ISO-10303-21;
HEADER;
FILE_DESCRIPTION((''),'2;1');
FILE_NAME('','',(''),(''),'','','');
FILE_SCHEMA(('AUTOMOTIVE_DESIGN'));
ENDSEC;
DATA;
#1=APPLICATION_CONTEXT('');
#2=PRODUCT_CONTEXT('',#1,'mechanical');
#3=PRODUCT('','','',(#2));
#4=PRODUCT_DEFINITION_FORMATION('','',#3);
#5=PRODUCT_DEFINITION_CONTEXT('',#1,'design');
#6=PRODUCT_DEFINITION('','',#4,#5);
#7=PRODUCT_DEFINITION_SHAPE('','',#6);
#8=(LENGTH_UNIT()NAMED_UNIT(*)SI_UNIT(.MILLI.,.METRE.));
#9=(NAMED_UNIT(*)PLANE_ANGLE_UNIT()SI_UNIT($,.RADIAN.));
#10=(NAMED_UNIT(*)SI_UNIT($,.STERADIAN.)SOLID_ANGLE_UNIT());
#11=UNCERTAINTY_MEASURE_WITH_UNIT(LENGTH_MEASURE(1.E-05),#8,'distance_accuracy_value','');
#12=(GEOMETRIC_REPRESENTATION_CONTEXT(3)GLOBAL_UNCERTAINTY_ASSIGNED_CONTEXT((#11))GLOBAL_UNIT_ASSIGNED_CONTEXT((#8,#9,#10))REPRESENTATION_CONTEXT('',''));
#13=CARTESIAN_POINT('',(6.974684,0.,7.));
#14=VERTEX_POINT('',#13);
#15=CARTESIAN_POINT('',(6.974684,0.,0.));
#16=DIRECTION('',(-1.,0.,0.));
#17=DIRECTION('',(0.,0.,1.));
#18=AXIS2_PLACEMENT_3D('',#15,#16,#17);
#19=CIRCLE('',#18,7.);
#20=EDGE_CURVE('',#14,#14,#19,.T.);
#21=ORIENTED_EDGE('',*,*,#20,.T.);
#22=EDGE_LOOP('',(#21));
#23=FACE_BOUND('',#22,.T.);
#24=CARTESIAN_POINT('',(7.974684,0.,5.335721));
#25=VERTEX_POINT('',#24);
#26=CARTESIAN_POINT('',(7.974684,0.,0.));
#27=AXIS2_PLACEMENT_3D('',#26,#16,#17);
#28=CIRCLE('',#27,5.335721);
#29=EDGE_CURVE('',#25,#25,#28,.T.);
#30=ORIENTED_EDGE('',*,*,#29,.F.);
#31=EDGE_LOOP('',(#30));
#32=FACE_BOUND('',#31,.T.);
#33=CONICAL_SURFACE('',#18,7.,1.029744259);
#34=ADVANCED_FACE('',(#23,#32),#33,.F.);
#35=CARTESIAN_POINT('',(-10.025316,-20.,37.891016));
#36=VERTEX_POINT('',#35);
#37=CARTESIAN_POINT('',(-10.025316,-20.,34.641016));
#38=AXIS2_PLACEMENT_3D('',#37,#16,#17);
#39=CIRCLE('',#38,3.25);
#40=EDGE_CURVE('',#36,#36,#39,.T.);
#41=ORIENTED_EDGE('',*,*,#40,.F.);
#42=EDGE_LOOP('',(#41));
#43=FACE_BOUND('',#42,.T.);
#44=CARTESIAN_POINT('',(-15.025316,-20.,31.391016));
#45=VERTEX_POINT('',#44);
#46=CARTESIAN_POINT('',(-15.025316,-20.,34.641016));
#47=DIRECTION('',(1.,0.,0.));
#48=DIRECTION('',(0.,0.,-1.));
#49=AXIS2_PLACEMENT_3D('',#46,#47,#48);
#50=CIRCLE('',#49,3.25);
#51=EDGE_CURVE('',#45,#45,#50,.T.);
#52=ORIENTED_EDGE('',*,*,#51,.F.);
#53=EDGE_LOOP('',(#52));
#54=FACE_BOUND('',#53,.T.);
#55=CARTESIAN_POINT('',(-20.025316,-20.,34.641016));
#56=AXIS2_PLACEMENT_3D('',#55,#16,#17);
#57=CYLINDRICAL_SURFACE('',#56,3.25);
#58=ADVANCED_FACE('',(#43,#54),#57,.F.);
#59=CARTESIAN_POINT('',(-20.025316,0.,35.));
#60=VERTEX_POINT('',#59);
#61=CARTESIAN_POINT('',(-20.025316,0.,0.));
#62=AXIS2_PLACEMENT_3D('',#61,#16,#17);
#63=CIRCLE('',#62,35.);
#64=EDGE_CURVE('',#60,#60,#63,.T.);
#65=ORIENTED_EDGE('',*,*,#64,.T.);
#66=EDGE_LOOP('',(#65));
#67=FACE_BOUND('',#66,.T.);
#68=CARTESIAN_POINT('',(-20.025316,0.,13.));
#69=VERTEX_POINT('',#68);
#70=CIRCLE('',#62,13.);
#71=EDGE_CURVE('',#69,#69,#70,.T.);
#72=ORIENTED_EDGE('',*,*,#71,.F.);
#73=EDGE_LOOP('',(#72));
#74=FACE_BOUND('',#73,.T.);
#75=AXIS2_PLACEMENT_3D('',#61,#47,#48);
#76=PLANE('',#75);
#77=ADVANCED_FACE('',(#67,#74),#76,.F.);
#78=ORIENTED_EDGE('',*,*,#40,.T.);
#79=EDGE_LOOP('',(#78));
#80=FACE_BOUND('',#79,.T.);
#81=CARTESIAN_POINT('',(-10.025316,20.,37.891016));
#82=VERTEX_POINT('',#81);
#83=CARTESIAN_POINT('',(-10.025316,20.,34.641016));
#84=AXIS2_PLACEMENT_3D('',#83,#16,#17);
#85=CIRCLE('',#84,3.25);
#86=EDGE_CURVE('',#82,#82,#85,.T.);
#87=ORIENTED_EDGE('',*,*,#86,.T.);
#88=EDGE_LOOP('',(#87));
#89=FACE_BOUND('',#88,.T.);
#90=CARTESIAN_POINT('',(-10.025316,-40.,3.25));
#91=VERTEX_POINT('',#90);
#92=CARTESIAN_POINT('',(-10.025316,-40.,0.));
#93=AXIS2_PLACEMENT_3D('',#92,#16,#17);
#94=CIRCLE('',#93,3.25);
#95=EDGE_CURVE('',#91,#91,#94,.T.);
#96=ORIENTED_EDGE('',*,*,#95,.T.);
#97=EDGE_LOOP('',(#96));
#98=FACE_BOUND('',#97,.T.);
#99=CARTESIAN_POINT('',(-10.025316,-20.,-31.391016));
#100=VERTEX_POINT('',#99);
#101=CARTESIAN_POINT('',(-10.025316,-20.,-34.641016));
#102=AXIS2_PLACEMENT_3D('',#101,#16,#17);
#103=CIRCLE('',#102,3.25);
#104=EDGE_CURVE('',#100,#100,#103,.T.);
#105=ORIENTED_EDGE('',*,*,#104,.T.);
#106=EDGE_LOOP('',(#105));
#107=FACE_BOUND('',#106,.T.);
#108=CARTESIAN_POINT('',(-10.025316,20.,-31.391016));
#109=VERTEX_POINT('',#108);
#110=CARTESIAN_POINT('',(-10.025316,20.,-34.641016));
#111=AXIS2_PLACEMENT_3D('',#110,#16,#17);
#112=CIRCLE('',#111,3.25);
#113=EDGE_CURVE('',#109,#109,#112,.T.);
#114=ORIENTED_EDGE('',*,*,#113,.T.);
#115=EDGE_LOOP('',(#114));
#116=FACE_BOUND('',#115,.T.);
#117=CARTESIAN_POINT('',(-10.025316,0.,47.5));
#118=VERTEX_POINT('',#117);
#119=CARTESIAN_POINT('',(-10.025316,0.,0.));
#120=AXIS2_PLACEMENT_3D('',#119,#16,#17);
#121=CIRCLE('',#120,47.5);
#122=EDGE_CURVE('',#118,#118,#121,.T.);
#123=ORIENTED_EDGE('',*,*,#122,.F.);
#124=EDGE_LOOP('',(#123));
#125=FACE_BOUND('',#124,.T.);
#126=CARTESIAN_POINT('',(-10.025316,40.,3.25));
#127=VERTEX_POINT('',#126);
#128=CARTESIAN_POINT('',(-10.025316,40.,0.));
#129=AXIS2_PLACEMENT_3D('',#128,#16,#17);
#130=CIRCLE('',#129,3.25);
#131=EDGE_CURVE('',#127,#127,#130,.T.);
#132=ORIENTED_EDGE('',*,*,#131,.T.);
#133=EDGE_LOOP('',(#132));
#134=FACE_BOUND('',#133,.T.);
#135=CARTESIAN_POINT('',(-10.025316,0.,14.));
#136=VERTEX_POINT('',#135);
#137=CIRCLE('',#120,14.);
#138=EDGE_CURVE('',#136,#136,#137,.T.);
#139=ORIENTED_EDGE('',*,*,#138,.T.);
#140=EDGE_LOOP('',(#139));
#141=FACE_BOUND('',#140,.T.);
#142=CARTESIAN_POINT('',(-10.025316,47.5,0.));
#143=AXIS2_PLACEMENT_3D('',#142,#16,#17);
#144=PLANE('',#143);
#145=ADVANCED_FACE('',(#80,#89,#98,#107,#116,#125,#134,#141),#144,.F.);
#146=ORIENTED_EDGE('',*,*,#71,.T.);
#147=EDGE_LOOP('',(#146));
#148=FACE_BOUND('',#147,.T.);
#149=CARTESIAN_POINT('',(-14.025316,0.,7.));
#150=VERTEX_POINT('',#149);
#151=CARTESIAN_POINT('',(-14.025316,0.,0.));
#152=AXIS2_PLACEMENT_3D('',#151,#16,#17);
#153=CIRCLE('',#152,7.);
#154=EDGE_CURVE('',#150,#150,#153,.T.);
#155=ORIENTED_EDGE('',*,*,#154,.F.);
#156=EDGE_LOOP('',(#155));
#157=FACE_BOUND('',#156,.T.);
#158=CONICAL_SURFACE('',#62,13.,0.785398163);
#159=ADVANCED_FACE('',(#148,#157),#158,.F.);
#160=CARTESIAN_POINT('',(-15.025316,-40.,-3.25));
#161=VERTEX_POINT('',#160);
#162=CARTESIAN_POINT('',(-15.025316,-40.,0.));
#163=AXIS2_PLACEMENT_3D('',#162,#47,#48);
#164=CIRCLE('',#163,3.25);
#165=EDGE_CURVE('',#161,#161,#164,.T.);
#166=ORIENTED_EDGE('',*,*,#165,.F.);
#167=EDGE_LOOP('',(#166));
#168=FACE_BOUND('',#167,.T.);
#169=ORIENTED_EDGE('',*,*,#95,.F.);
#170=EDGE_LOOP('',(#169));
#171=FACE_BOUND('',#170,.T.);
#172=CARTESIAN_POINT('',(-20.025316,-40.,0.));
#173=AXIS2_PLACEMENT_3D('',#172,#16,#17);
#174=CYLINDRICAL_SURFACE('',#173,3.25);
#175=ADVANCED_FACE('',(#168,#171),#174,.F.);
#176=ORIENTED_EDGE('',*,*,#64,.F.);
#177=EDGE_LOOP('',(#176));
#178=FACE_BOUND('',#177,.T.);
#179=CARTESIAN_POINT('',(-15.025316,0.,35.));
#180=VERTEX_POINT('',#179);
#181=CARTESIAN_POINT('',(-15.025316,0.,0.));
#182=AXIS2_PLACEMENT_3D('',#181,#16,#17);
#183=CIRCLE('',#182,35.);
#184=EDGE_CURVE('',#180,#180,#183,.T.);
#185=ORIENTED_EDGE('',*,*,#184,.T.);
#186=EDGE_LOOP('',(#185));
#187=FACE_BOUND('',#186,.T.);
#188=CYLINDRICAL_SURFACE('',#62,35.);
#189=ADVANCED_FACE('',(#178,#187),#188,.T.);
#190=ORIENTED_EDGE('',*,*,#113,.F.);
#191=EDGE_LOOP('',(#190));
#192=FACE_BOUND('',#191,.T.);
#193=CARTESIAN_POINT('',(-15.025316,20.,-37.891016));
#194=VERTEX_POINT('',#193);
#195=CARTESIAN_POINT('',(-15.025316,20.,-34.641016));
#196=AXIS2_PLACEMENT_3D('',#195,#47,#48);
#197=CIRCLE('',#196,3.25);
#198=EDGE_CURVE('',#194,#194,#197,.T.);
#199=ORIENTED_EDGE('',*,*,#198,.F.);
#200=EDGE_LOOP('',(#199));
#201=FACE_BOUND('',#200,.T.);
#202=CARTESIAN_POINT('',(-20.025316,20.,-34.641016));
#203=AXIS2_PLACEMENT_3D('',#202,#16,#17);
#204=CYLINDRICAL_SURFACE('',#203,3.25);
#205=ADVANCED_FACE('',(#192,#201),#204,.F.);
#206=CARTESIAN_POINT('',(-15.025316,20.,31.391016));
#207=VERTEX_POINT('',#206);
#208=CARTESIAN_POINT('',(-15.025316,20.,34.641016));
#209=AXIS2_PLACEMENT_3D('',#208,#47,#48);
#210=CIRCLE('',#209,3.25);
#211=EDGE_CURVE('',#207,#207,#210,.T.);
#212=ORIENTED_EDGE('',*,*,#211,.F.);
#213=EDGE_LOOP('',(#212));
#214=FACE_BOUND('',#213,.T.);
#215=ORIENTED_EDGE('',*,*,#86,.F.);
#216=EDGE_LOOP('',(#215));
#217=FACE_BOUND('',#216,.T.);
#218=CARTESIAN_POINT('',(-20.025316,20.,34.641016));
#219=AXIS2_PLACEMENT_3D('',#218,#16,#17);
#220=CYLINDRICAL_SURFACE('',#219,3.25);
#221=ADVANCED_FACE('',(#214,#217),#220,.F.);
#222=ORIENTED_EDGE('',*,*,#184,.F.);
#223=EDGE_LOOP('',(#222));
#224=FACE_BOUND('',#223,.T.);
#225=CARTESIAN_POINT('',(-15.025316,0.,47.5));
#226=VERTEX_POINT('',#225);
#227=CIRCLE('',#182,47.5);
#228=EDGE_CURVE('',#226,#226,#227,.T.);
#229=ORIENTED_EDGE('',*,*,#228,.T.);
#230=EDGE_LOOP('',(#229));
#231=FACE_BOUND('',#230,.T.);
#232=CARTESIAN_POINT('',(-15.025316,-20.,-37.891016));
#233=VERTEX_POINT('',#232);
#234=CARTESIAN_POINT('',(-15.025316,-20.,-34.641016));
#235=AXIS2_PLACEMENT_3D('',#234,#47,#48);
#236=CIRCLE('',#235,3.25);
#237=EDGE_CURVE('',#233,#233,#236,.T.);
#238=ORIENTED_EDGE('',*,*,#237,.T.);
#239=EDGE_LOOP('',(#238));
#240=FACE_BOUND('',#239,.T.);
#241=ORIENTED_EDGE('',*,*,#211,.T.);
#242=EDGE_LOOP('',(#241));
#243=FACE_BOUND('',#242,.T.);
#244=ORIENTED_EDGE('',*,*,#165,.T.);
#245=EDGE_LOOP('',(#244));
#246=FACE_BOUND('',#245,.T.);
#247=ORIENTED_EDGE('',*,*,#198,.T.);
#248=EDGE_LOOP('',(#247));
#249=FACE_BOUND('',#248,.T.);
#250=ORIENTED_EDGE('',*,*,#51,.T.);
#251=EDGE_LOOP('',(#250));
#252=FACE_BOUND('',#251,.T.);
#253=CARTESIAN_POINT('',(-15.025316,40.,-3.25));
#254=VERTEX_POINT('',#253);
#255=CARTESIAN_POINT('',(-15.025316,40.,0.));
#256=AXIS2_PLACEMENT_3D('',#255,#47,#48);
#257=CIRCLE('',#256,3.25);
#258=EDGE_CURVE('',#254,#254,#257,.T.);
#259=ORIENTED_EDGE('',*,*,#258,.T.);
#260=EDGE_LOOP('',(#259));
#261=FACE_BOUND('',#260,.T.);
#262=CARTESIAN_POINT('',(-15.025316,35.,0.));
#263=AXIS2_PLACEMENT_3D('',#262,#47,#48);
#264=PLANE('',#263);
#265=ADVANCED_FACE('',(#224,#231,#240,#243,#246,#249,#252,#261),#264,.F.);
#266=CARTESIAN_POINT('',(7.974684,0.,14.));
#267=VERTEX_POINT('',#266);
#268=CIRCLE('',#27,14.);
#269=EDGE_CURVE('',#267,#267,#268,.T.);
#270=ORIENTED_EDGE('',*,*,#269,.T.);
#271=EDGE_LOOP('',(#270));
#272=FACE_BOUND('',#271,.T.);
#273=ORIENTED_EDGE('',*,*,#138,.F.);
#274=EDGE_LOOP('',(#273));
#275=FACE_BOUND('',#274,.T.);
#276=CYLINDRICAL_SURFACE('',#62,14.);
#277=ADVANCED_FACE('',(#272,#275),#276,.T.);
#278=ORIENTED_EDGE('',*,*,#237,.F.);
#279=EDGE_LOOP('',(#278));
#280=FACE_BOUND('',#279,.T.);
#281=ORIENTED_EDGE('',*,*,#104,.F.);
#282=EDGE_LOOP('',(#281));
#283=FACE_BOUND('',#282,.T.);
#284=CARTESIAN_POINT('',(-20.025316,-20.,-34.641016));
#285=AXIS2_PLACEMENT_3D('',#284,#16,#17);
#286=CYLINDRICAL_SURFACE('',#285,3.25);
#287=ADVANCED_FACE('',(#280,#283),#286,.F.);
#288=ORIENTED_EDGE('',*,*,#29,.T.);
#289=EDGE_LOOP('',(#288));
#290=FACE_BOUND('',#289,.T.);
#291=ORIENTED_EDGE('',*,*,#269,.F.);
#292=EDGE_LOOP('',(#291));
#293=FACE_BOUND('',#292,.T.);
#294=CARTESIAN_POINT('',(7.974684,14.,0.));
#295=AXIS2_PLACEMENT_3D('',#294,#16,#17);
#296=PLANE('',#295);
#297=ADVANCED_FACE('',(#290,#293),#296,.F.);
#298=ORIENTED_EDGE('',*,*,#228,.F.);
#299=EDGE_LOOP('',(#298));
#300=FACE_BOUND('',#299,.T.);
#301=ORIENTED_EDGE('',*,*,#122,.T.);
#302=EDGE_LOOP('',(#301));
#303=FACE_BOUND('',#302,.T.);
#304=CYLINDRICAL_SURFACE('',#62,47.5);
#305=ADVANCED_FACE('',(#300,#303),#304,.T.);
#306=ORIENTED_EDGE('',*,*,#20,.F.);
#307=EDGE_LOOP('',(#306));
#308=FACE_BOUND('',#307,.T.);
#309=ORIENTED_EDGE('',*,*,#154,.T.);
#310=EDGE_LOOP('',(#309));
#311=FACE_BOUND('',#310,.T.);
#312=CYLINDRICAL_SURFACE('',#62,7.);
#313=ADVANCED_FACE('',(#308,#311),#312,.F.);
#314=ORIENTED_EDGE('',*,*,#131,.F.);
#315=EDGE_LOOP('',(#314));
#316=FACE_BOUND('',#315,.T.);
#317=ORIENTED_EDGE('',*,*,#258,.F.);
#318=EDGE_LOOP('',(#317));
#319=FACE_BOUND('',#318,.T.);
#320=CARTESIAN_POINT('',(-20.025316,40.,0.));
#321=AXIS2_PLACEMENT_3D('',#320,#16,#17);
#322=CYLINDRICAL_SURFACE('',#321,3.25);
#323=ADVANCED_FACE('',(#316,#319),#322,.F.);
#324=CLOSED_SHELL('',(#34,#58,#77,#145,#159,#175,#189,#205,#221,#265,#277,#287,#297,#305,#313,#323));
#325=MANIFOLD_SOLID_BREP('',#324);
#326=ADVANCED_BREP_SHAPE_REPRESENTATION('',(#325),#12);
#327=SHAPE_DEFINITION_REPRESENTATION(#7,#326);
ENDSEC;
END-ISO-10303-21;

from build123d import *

# Parameters (mm, degrees)
CSK_FOR_M12_HEX_SOCKET_COUNTERSUNK_CAP_S_D           = 14
CSK_FOR_M12_HEX_SOCKET_COUNTERSUNK_CAP_S_DEPTH       = 27
CSK_FOR_M12_HEX_SOCKET_COUNTERSUNK_CAP_S_CSINK_D     = 26
CSK_FOR_M12_HEX_SOCKET_COUNTERSUNK_CAP_S_CSINK_ANGLE = 90
CSK_FOR_M12_HEX_SOCKET_COUNTERSUNK_CAP_S_TIP         = 4.206024333
CSK_FOR_M6_HEX_SOCKET_COUNTERSUNK_CAP_SC_D           = 6.5
CSK_FOR_M6_HEX_SOCKET_COUNTERSUNK_CAP_SC_CSINK_D     = 7.5
CSK_FOR_M6_HEX_SOCKET_COUNTERSUNK_CAP_SC_CSINK_ANGLE = 90
CIRPATTERN1_COUNT                                    = 6


with BuildPart() as part:
    # Sketch1 → Revolve1 (revolve)
    with BuildSketch(Plane.XY):
        Polygon((-20.025316456, 0), (-20.025316456, 35), (-15.025316456, 35), (-15.025316456, 47.5), (-10.025316456, 47.5), (-10.025316456, 14), (7.974683544, 14), (7.974683544, 0), align=None)
    revolve(axis=Axis((-20.025316456, 0, 0), (1, 0, 0)))

    # CSK for M12 Hex Socket Countersunk Cap Screw1
    with Locations(Plane.ZY.offset(20.025316456)):
        with Locations((0, 0)):
            CounterSinkHole(CSK_FOR_M12_HEX_SOCKET_COUNTERSUNK_CAP_S_D / 2, CSK_FOR_M12_HEX_SOCKET_COUNTERSUNK_CAP_S_CSINK_D / 2, depth=CSK_FOR_M12_HEX_SOCKET_COUNTERSUNK_CAP_S_DEPTH, counter_sink_angle=CSK_FOR_M12_HEX_SOCKET_COUNTERSUNK_CAP_S_CSINK_ANGLE)
            with Locations((0, 0, -(CSK_FOR_M12_HEX_SOCKET_COUNTERSUNK_CAP_S_DEPTH + CSK_FOR_M12_HEX_SOCKET_COUNTERSUNK_CAP_S_TIP / 2))):  # 118° drill point
                Cone(0, CSK_FOR_M12_HEX_SOCKET_COUNTERSUNK_CAP_S_D / 2, CSK_FOR_M12_HEX_SOCKET_COUNTERSUNK_CAP_S_TIP, mode=Mode.SUBTRACT)

    # CSK for M6 Hex Socket Countersunk Cap Screw1 (through all)
    with Locations(Plane.ZY.offset(20.025316456)):
        with Locations((0, 40)):
            csk_for_m6_hex_socket_countersunk_cap_sc = CounterSinkHole(CSK_FOR_M6_HEX_SOCKET_COUNTERSUNK_CAP_SC_D / 2, CSK_FOR_M6_HEX_SOCKET_COUNTERSUNK_CAP_SC_CSINK_D / 2, counter_sink_angle=CSK_FOR_M6_HEX_SOCKET_COUNTERSUNK_CAP_SC_CSINK_ANGLE)

    # CirPattern1: CSK for M6 Hex Socket Countersunk Cap Screw1 ×6 about axis
    cirpattern1_axis = Axis((0, 0, 0), (1, 0, 0))
    for i in range(1, CIRPATTERN1_COUNT):
        add(csk_for_m6_hex_socket_countersunk_cap_sc.rotate(cirpattern1_axis, i * 360 / CIRPATTERN1_COUNT), mode=Mode.SUBTRACT)


solid = part.part
